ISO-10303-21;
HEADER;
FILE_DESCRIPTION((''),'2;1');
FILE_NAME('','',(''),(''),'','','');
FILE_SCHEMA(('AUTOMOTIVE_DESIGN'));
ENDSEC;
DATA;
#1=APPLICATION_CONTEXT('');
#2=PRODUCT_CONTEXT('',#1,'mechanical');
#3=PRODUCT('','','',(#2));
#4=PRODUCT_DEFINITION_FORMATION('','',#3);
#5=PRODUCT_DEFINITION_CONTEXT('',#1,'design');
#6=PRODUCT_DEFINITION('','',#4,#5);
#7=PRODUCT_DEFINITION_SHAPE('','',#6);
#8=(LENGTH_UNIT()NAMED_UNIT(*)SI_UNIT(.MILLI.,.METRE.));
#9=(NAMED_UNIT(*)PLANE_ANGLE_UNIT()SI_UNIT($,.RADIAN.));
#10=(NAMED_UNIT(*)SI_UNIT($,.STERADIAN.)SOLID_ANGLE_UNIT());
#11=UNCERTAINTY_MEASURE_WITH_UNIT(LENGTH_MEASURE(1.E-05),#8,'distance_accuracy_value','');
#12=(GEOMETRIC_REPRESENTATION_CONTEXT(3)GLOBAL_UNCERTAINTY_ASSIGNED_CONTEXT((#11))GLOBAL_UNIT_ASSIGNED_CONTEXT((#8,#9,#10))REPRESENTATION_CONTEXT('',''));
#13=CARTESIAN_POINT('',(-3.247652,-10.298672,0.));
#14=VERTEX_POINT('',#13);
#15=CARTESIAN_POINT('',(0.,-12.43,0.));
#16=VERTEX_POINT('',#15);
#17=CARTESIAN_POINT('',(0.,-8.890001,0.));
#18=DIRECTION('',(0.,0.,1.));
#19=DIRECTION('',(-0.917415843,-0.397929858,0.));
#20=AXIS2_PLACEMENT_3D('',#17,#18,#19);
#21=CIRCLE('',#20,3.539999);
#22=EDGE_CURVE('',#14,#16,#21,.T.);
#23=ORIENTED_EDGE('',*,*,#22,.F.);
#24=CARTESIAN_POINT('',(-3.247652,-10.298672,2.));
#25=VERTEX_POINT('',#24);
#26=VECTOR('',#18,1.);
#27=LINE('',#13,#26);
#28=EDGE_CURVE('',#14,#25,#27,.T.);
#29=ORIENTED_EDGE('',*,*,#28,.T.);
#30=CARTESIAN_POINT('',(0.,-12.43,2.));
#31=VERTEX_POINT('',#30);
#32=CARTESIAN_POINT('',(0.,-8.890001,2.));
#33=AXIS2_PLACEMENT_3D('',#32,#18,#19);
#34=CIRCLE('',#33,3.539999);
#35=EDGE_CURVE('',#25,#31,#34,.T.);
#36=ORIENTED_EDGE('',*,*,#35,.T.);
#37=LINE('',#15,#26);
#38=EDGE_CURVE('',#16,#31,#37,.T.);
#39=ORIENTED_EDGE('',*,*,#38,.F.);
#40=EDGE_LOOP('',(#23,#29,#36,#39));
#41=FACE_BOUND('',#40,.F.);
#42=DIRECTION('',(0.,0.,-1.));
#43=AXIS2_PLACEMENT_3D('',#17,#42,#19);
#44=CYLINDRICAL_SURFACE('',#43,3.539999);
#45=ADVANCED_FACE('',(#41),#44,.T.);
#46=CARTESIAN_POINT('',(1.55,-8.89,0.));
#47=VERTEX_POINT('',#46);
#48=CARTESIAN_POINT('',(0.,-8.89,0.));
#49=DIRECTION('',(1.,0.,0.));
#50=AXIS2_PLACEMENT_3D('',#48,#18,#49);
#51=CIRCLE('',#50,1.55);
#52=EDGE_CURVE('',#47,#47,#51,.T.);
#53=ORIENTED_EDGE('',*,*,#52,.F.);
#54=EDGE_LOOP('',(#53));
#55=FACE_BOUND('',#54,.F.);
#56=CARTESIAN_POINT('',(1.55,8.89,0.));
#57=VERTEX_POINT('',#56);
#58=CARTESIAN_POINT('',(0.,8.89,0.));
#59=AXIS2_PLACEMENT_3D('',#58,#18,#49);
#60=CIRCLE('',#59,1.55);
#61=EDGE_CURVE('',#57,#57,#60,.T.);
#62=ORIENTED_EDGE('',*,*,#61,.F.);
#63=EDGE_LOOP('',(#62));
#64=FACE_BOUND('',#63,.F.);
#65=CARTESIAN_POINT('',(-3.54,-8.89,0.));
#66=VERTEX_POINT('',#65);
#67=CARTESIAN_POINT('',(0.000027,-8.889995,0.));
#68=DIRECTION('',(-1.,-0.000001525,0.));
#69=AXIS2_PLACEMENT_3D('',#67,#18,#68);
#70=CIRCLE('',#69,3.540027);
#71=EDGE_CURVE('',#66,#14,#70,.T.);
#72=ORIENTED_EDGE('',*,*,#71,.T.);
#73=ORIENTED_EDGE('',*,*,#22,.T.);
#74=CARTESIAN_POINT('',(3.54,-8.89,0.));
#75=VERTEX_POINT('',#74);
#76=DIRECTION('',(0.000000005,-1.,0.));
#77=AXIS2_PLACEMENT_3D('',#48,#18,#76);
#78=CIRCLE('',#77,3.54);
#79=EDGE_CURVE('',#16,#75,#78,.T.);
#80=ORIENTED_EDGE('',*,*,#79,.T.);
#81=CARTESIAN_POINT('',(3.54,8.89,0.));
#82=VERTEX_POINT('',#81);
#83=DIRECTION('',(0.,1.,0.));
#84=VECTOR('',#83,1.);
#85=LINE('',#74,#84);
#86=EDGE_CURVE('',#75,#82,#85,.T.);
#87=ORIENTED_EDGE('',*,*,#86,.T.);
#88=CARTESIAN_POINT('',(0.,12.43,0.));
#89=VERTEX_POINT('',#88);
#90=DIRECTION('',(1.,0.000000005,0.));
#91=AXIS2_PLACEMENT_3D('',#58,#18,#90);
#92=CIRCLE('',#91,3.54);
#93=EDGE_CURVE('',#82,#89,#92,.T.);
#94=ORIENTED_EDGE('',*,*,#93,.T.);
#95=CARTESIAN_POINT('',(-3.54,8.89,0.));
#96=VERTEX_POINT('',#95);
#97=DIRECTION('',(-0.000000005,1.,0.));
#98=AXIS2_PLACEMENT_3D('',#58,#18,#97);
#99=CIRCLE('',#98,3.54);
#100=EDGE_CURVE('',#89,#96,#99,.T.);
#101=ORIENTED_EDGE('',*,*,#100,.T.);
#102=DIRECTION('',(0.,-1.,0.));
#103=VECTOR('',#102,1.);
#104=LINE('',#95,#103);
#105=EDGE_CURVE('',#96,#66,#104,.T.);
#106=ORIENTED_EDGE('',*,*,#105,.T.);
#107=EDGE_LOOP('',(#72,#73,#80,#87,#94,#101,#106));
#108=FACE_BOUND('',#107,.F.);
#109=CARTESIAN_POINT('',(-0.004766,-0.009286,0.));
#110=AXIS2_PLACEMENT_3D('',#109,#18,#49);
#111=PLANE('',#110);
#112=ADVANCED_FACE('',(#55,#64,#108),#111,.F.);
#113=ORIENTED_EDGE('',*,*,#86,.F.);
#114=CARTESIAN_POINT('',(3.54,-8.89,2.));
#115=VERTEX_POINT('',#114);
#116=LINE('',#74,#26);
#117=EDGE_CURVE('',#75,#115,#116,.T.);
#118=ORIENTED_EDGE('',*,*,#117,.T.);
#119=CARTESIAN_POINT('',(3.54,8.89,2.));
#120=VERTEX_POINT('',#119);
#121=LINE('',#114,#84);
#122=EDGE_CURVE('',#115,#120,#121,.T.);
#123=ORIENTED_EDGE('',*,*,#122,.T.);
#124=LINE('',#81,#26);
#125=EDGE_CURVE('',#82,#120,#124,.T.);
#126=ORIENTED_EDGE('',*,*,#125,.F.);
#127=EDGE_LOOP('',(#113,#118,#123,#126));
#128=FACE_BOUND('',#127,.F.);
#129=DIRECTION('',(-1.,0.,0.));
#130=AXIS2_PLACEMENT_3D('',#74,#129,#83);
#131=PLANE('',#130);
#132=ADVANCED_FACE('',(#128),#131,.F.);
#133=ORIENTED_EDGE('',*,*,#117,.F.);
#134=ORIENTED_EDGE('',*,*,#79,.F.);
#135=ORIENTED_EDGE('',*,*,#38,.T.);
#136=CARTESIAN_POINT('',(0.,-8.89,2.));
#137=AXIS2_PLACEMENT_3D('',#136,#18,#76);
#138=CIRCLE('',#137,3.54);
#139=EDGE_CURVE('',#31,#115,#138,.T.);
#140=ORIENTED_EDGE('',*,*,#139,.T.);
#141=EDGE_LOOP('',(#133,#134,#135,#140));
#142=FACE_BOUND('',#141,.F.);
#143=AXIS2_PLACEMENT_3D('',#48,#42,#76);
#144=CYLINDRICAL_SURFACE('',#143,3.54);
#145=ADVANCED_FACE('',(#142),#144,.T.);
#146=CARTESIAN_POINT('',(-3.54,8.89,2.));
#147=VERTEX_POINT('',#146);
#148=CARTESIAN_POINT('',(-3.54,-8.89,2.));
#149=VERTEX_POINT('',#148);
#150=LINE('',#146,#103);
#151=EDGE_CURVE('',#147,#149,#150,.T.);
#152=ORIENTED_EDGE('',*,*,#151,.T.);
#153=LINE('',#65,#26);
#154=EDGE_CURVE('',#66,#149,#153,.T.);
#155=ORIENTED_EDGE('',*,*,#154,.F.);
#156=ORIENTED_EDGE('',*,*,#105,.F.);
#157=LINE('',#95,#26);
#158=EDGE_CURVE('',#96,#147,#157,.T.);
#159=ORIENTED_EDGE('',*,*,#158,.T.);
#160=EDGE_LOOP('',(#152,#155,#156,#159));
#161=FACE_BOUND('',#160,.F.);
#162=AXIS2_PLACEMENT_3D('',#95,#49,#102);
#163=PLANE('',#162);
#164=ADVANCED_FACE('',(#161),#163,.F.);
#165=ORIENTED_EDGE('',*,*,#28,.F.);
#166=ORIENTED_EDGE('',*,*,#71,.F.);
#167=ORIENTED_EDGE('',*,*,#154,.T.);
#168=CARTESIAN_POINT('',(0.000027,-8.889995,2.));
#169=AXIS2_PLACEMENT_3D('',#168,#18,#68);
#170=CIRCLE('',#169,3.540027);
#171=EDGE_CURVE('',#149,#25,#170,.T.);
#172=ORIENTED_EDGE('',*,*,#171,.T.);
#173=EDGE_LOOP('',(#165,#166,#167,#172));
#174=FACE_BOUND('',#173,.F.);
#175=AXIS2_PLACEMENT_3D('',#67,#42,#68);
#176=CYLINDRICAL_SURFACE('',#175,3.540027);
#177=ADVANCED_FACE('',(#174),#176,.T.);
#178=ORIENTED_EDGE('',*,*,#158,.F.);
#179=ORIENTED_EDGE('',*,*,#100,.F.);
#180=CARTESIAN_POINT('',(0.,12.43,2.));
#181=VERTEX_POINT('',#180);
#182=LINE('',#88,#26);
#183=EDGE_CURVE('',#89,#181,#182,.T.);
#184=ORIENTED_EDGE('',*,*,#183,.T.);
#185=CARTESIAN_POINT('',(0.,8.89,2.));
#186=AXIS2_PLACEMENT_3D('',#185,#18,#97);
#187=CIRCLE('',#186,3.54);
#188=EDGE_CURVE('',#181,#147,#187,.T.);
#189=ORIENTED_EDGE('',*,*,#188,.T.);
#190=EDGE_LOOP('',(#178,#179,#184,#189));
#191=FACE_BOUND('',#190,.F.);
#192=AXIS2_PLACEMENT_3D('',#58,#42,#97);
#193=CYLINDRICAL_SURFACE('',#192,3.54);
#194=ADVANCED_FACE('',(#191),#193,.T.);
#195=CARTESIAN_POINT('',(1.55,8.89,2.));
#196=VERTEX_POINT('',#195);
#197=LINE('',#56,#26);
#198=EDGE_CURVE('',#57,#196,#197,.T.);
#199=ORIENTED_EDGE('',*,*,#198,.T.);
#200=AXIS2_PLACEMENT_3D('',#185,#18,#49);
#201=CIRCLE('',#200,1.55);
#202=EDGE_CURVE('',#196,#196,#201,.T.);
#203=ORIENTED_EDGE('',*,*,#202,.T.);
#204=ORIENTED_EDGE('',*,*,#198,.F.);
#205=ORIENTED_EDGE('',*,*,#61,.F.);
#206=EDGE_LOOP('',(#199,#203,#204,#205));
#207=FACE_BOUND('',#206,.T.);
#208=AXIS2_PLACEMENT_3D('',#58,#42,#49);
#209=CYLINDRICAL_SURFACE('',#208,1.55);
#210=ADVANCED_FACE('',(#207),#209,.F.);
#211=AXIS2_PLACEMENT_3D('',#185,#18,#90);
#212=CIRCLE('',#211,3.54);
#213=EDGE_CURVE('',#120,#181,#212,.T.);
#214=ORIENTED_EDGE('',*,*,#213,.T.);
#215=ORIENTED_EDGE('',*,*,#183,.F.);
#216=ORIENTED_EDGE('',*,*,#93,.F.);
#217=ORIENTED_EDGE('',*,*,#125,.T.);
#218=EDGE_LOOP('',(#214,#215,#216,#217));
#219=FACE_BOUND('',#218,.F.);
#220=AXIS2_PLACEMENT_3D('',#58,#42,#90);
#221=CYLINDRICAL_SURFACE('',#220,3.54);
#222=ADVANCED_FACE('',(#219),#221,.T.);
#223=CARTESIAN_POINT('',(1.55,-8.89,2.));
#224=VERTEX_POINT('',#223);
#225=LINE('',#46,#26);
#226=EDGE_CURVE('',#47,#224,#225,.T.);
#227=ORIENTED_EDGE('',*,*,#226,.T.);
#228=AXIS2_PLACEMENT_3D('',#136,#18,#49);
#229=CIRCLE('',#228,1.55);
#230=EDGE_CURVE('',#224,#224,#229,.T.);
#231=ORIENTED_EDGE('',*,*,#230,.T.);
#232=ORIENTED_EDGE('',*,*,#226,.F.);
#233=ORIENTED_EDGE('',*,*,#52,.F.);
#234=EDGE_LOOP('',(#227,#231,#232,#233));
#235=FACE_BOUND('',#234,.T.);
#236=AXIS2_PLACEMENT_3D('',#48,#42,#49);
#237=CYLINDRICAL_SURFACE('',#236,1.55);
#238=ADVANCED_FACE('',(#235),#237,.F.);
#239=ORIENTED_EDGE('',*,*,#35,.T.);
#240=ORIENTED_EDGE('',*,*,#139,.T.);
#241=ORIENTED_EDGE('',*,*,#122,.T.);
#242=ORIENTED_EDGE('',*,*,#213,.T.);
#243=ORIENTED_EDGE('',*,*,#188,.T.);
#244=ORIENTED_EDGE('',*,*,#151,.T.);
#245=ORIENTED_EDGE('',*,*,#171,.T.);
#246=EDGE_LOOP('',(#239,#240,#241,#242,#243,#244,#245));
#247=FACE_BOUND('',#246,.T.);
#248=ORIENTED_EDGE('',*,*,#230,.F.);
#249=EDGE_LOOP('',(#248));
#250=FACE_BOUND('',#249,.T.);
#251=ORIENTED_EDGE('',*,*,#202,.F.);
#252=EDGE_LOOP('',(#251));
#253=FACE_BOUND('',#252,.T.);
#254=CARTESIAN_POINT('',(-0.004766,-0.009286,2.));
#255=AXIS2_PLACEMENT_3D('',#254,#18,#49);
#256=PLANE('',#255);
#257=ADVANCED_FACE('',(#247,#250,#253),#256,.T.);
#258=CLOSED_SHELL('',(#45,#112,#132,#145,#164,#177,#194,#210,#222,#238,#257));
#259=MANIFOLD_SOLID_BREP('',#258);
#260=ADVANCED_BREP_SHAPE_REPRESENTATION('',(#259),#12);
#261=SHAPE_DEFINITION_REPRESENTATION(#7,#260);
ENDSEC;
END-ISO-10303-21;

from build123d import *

# Parameters (mm, degrees)
F0_R     = 1.55
F1_DEPTH = 2


with BuildPart() as f1:
    # F0 (on Top) → F1 (new body)
    with BuildSketch(Plane.XY):
        with BuildLine():
            ThreePointArc((0, -12.43), (2.503158, -11.393158), (3.54, -8.89))
            Line((3.54, -8.89), (3.54, 8.89))
            ThreePointArc((3.54, 8.89), (2.503158, 11.393158), (0, 12.43))
            ThreePointArc((0, 12.43), (-2.503158, 11.393158), (-3.54, 8.89))
            Line((-3.54, 8.89), (-3.54, -8.89))
            ThreePointArc((-3.54, -8.89), (-3.466142, -9.609344), (-3.247652, -10.298672))
            ThreePointArc((-3.247652, -10.298672), (-1.94228, -11.849586), (0, -12.43))
        make_face()
        with Locations((0, -8.89)):
            Circle(F0_R, mode=Mode.SUBTRACT)
        with Locations((0, 8.89)):
            Circle(F0_R, mode=Mode.SUBTRACT)
    extrude(amount=F1_DEPTH)


solid = f1.part
